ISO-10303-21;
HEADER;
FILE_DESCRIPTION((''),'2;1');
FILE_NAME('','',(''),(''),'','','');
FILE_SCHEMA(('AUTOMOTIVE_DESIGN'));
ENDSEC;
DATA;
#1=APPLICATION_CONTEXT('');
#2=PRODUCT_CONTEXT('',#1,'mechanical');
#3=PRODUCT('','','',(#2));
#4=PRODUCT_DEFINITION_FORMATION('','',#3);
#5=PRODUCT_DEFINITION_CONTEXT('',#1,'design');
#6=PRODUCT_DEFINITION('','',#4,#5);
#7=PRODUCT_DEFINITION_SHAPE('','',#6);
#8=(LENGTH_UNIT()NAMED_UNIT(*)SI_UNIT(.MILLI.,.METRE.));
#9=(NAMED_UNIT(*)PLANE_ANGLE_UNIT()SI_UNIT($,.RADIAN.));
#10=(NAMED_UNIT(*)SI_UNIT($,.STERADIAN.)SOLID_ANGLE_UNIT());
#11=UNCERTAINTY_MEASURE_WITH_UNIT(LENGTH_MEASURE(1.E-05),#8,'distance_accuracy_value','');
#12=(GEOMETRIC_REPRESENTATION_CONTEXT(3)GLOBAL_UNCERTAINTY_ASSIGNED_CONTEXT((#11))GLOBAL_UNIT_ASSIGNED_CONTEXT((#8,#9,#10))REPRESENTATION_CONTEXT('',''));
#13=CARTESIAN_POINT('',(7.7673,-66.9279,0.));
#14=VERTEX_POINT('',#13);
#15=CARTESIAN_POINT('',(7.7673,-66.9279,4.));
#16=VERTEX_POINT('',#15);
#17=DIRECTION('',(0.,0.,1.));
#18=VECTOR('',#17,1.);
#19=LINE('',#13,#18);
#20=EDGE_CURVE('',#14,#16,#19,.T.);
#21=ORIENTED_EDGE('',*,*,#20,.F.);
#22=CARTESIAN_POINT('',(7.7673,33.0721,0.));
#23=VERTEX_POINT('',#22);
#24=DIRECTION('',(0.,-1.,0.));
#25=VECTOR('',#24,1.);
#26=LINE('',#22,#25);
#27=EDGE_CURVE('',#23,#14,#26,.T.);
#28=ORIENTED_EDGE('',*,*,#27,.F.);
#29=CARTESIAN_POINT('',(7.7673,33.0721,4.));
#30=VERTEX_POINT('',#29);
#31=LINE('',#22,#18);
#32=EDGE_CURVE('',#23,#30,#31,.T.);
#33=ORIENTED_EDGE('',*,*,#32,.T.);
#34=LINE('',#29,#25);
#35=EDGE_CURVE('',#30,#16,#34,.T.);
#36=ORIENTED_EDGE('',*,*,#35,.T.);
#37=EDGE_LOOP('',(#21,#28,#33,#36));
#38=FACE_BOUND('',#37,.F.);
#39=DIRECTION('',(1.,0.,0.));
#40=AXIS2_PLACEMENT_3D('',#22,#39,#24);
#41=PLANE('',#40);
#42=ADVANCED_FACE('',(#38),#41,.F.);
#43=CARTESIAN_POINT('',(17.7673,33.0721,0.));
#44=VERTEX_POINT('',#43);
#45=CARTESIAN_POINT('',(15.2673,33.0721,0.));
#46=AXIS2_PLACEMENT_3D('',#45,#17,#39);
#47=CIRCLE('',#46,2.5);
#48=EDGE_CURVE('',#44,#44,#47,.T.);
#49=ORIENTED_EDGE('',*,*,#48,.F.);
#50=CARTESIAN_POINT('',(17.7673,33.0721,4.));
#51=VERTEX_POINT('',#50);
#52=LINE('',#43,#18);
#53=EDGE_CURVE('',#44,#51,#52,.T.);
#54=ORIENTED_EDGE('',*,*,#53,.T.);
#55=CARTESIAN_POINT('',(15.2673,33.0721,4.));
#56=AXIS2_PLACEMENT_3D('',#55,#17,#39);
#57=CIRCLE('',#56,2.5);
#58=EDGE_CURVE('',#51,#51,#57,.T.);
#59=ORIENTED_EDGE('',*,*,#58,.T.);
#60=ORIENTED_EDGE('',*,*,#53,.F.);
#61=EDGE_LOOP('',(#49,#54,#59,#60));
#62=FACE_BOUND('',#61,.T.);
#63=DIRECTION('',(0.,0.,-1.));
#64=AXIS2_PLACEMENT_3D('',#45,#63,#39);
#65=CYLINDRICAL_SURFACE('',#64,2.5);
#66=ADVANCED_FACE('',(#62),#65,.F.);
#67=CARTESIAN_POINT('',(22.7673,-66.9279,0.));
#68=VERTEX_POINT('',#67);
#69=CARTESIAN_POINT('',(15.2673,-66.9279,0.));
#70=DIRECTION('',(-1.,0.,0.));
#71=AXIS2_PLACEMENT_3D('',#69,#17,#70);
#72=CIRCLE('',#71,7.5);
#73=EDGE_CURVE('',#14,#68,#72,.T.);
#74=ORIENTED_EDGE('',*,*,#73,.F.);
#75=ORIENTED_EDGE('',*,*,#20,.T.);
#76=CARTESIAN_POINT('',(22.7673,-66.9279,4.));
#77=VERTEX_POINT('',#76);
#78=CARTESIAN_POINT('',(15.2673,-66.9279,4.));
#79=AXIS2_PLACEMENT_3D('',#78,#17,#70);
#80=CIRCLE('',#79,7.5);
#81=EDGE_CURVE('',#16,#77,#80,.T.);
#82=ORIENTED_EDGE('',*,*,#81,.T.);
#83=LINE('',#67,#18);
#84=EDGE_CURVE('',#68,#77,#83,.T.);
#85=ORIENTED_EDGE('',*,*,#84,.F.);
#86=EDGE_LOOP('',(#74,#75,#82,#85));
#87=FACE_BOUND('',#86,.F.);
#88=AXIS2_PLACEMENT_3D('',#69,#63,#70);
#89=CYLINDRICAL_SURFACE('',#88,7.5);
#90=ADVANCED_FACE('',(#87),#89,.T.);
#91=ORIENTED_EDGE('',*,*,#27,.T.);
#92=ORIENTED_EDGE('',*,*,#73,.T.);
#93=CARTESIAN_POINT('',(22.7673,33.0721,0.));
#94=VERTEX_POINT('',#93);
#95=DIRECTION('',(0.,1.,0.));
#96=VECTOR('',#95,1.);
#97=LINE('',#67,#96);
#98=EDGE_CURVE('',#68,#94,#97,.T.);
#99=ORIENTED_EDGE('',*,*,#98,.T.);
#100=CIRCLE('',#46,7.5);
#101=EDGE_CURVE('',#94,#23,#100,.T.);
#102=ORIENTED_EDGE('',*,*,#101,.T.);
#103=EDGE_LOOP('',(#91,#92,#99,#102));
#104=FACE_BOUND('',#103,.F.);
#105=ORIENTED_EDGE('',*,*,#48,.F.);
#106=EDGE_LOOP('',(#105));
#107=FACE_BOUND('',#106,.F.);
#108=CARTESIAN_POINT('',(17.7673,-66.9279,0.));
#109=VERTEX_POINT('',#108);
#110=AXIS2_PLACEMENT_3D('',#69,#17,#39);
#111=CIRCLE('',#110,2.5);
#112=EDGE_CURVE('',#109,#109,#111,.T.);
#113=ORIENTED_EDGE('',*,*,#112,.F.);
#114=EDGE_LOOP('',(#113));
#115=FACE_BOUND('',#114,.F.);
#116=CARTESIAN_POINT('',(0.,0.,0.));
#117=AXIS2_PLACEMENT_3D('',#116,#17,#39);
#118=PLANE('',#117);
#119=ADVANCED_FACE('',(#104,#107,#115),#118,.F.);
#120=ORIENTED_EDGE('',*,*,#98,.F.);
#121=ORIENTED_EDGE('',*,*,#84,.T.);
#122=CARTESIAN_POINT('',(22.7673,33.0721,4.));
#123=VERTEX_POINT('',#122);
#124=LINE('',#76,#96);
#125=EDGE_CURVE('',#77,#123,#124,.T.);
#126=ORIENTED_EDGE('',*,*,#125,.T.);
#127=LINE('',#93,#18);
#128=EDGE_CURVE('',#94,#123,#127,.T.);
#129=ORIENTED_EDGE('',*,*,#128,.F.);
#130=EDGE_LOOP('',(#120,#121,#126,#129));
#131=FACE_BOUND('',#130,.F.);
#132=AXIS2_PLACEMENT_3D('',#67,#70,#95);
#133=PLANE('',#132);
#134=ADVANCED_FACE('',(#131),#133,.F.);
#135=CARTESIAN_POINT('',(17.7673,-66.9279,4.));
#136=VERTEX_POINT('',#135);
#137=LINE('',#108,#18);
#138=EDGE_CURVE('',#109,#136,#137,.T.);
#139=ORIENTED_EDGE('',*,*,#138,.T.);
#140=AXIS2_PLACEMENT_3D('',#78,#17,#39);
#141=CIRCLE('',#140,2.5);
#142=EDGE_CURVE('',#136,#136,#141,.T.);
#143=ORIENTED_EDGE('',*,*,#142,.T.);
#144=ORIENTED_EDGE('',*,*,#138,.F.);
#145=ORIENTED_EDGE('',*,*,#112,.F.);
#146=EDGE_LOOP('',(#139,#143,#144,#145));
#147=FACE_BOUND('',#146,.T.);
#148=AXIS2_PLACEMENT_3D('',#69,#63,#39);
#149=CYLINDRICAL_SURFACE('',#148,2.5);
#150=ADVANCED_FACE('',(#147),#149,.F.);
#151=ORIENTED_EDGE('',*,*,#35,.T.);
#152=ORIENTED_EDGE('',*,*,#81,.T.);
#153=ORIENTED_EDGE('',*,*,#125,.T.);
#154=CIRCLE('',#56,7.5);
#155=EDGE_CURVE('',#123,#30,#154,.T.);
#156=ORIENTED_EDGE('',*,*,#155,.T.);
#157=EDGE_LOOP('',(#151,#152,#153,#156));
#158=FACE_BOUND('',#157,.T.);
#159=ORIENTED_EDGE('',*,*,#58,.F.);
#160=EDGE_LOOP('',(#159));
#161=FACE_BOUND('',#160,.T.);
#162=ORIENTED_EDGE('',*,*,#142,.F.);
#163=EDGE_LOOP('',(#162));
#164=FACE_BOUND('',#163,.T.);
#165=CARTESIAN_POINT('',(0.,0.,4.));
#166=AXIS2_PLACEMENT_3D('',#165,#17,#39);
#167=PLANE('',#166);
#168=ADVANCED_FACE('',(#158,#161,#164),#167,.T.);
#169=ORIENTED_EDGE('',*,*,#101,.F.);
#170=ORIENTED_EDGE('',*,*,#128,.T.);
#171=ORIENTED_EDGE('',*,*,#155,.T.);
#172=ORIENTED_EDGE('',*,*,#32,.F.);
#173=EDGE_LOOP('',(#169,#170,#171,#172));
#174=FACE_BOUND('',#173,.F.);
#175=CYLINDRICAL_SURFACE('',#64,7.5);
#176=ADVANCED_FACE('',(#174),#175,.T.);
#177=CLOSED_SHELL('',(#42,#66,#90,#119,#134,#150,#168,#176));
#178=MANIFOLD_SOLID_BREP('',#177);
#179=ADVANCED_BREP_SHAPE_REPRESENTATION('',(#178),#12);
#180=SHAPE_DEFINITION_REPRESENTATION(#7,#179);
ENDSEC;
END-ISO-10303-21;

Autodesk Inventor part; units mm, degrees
ref_plane "YZ Plane" through (0, 0, 0) normal (1, 0, 0) x (0, 1, 0)
ref_plane "XZ Plane" through (0, 0, 0) normal (0, 1, 0) x (-1, 0, 0)
ref_plane "XY Plane" through (0, 0, 0) normal (0, 0, 1) x (1, 0, 0)
sketch "Sketch1" plane through (0, 0, 0) normal (0, 0, 1) x (1, 0, 0)
  line L0 (15.2673, 33.0721) -> (15.2673, -66.9279) construction
  line L1 (7.7673, 33.0721) -> (7.7673, -66.9279)
  line L2 (22.7673, -66.9279) -> (22.7673, 33.0721)
  arc A0 (22.7673, 33.0721) -> (7.7673, 33.0721) centre (15.2673, 33.0721) ccw
  arc A1 (7.7673, -66.9279) -> (22.7673, -66.9279) centre (15.2673, -66.9279) ccw
  circle A2 centre (15.2673, 33.0721) radius 2.5
  circle A3 centre (15.2673, -66.9279) radius 2.5
  point P0 (0, 0)
  point P1 (15.2673, -16.9279)
  dimension "d0" = 100
  dimension "d1" = 15
  dimension "d2" = 5
extrude "Extrusion1" add sketch "Sketch1" along normal blind 4
sketch "Sketch2" plane through (0, 0, 4) normal (0, 0, 1) x (1, 0, 0)
  point P0 (0, 0)
properties part number "2nd_part[1]"
